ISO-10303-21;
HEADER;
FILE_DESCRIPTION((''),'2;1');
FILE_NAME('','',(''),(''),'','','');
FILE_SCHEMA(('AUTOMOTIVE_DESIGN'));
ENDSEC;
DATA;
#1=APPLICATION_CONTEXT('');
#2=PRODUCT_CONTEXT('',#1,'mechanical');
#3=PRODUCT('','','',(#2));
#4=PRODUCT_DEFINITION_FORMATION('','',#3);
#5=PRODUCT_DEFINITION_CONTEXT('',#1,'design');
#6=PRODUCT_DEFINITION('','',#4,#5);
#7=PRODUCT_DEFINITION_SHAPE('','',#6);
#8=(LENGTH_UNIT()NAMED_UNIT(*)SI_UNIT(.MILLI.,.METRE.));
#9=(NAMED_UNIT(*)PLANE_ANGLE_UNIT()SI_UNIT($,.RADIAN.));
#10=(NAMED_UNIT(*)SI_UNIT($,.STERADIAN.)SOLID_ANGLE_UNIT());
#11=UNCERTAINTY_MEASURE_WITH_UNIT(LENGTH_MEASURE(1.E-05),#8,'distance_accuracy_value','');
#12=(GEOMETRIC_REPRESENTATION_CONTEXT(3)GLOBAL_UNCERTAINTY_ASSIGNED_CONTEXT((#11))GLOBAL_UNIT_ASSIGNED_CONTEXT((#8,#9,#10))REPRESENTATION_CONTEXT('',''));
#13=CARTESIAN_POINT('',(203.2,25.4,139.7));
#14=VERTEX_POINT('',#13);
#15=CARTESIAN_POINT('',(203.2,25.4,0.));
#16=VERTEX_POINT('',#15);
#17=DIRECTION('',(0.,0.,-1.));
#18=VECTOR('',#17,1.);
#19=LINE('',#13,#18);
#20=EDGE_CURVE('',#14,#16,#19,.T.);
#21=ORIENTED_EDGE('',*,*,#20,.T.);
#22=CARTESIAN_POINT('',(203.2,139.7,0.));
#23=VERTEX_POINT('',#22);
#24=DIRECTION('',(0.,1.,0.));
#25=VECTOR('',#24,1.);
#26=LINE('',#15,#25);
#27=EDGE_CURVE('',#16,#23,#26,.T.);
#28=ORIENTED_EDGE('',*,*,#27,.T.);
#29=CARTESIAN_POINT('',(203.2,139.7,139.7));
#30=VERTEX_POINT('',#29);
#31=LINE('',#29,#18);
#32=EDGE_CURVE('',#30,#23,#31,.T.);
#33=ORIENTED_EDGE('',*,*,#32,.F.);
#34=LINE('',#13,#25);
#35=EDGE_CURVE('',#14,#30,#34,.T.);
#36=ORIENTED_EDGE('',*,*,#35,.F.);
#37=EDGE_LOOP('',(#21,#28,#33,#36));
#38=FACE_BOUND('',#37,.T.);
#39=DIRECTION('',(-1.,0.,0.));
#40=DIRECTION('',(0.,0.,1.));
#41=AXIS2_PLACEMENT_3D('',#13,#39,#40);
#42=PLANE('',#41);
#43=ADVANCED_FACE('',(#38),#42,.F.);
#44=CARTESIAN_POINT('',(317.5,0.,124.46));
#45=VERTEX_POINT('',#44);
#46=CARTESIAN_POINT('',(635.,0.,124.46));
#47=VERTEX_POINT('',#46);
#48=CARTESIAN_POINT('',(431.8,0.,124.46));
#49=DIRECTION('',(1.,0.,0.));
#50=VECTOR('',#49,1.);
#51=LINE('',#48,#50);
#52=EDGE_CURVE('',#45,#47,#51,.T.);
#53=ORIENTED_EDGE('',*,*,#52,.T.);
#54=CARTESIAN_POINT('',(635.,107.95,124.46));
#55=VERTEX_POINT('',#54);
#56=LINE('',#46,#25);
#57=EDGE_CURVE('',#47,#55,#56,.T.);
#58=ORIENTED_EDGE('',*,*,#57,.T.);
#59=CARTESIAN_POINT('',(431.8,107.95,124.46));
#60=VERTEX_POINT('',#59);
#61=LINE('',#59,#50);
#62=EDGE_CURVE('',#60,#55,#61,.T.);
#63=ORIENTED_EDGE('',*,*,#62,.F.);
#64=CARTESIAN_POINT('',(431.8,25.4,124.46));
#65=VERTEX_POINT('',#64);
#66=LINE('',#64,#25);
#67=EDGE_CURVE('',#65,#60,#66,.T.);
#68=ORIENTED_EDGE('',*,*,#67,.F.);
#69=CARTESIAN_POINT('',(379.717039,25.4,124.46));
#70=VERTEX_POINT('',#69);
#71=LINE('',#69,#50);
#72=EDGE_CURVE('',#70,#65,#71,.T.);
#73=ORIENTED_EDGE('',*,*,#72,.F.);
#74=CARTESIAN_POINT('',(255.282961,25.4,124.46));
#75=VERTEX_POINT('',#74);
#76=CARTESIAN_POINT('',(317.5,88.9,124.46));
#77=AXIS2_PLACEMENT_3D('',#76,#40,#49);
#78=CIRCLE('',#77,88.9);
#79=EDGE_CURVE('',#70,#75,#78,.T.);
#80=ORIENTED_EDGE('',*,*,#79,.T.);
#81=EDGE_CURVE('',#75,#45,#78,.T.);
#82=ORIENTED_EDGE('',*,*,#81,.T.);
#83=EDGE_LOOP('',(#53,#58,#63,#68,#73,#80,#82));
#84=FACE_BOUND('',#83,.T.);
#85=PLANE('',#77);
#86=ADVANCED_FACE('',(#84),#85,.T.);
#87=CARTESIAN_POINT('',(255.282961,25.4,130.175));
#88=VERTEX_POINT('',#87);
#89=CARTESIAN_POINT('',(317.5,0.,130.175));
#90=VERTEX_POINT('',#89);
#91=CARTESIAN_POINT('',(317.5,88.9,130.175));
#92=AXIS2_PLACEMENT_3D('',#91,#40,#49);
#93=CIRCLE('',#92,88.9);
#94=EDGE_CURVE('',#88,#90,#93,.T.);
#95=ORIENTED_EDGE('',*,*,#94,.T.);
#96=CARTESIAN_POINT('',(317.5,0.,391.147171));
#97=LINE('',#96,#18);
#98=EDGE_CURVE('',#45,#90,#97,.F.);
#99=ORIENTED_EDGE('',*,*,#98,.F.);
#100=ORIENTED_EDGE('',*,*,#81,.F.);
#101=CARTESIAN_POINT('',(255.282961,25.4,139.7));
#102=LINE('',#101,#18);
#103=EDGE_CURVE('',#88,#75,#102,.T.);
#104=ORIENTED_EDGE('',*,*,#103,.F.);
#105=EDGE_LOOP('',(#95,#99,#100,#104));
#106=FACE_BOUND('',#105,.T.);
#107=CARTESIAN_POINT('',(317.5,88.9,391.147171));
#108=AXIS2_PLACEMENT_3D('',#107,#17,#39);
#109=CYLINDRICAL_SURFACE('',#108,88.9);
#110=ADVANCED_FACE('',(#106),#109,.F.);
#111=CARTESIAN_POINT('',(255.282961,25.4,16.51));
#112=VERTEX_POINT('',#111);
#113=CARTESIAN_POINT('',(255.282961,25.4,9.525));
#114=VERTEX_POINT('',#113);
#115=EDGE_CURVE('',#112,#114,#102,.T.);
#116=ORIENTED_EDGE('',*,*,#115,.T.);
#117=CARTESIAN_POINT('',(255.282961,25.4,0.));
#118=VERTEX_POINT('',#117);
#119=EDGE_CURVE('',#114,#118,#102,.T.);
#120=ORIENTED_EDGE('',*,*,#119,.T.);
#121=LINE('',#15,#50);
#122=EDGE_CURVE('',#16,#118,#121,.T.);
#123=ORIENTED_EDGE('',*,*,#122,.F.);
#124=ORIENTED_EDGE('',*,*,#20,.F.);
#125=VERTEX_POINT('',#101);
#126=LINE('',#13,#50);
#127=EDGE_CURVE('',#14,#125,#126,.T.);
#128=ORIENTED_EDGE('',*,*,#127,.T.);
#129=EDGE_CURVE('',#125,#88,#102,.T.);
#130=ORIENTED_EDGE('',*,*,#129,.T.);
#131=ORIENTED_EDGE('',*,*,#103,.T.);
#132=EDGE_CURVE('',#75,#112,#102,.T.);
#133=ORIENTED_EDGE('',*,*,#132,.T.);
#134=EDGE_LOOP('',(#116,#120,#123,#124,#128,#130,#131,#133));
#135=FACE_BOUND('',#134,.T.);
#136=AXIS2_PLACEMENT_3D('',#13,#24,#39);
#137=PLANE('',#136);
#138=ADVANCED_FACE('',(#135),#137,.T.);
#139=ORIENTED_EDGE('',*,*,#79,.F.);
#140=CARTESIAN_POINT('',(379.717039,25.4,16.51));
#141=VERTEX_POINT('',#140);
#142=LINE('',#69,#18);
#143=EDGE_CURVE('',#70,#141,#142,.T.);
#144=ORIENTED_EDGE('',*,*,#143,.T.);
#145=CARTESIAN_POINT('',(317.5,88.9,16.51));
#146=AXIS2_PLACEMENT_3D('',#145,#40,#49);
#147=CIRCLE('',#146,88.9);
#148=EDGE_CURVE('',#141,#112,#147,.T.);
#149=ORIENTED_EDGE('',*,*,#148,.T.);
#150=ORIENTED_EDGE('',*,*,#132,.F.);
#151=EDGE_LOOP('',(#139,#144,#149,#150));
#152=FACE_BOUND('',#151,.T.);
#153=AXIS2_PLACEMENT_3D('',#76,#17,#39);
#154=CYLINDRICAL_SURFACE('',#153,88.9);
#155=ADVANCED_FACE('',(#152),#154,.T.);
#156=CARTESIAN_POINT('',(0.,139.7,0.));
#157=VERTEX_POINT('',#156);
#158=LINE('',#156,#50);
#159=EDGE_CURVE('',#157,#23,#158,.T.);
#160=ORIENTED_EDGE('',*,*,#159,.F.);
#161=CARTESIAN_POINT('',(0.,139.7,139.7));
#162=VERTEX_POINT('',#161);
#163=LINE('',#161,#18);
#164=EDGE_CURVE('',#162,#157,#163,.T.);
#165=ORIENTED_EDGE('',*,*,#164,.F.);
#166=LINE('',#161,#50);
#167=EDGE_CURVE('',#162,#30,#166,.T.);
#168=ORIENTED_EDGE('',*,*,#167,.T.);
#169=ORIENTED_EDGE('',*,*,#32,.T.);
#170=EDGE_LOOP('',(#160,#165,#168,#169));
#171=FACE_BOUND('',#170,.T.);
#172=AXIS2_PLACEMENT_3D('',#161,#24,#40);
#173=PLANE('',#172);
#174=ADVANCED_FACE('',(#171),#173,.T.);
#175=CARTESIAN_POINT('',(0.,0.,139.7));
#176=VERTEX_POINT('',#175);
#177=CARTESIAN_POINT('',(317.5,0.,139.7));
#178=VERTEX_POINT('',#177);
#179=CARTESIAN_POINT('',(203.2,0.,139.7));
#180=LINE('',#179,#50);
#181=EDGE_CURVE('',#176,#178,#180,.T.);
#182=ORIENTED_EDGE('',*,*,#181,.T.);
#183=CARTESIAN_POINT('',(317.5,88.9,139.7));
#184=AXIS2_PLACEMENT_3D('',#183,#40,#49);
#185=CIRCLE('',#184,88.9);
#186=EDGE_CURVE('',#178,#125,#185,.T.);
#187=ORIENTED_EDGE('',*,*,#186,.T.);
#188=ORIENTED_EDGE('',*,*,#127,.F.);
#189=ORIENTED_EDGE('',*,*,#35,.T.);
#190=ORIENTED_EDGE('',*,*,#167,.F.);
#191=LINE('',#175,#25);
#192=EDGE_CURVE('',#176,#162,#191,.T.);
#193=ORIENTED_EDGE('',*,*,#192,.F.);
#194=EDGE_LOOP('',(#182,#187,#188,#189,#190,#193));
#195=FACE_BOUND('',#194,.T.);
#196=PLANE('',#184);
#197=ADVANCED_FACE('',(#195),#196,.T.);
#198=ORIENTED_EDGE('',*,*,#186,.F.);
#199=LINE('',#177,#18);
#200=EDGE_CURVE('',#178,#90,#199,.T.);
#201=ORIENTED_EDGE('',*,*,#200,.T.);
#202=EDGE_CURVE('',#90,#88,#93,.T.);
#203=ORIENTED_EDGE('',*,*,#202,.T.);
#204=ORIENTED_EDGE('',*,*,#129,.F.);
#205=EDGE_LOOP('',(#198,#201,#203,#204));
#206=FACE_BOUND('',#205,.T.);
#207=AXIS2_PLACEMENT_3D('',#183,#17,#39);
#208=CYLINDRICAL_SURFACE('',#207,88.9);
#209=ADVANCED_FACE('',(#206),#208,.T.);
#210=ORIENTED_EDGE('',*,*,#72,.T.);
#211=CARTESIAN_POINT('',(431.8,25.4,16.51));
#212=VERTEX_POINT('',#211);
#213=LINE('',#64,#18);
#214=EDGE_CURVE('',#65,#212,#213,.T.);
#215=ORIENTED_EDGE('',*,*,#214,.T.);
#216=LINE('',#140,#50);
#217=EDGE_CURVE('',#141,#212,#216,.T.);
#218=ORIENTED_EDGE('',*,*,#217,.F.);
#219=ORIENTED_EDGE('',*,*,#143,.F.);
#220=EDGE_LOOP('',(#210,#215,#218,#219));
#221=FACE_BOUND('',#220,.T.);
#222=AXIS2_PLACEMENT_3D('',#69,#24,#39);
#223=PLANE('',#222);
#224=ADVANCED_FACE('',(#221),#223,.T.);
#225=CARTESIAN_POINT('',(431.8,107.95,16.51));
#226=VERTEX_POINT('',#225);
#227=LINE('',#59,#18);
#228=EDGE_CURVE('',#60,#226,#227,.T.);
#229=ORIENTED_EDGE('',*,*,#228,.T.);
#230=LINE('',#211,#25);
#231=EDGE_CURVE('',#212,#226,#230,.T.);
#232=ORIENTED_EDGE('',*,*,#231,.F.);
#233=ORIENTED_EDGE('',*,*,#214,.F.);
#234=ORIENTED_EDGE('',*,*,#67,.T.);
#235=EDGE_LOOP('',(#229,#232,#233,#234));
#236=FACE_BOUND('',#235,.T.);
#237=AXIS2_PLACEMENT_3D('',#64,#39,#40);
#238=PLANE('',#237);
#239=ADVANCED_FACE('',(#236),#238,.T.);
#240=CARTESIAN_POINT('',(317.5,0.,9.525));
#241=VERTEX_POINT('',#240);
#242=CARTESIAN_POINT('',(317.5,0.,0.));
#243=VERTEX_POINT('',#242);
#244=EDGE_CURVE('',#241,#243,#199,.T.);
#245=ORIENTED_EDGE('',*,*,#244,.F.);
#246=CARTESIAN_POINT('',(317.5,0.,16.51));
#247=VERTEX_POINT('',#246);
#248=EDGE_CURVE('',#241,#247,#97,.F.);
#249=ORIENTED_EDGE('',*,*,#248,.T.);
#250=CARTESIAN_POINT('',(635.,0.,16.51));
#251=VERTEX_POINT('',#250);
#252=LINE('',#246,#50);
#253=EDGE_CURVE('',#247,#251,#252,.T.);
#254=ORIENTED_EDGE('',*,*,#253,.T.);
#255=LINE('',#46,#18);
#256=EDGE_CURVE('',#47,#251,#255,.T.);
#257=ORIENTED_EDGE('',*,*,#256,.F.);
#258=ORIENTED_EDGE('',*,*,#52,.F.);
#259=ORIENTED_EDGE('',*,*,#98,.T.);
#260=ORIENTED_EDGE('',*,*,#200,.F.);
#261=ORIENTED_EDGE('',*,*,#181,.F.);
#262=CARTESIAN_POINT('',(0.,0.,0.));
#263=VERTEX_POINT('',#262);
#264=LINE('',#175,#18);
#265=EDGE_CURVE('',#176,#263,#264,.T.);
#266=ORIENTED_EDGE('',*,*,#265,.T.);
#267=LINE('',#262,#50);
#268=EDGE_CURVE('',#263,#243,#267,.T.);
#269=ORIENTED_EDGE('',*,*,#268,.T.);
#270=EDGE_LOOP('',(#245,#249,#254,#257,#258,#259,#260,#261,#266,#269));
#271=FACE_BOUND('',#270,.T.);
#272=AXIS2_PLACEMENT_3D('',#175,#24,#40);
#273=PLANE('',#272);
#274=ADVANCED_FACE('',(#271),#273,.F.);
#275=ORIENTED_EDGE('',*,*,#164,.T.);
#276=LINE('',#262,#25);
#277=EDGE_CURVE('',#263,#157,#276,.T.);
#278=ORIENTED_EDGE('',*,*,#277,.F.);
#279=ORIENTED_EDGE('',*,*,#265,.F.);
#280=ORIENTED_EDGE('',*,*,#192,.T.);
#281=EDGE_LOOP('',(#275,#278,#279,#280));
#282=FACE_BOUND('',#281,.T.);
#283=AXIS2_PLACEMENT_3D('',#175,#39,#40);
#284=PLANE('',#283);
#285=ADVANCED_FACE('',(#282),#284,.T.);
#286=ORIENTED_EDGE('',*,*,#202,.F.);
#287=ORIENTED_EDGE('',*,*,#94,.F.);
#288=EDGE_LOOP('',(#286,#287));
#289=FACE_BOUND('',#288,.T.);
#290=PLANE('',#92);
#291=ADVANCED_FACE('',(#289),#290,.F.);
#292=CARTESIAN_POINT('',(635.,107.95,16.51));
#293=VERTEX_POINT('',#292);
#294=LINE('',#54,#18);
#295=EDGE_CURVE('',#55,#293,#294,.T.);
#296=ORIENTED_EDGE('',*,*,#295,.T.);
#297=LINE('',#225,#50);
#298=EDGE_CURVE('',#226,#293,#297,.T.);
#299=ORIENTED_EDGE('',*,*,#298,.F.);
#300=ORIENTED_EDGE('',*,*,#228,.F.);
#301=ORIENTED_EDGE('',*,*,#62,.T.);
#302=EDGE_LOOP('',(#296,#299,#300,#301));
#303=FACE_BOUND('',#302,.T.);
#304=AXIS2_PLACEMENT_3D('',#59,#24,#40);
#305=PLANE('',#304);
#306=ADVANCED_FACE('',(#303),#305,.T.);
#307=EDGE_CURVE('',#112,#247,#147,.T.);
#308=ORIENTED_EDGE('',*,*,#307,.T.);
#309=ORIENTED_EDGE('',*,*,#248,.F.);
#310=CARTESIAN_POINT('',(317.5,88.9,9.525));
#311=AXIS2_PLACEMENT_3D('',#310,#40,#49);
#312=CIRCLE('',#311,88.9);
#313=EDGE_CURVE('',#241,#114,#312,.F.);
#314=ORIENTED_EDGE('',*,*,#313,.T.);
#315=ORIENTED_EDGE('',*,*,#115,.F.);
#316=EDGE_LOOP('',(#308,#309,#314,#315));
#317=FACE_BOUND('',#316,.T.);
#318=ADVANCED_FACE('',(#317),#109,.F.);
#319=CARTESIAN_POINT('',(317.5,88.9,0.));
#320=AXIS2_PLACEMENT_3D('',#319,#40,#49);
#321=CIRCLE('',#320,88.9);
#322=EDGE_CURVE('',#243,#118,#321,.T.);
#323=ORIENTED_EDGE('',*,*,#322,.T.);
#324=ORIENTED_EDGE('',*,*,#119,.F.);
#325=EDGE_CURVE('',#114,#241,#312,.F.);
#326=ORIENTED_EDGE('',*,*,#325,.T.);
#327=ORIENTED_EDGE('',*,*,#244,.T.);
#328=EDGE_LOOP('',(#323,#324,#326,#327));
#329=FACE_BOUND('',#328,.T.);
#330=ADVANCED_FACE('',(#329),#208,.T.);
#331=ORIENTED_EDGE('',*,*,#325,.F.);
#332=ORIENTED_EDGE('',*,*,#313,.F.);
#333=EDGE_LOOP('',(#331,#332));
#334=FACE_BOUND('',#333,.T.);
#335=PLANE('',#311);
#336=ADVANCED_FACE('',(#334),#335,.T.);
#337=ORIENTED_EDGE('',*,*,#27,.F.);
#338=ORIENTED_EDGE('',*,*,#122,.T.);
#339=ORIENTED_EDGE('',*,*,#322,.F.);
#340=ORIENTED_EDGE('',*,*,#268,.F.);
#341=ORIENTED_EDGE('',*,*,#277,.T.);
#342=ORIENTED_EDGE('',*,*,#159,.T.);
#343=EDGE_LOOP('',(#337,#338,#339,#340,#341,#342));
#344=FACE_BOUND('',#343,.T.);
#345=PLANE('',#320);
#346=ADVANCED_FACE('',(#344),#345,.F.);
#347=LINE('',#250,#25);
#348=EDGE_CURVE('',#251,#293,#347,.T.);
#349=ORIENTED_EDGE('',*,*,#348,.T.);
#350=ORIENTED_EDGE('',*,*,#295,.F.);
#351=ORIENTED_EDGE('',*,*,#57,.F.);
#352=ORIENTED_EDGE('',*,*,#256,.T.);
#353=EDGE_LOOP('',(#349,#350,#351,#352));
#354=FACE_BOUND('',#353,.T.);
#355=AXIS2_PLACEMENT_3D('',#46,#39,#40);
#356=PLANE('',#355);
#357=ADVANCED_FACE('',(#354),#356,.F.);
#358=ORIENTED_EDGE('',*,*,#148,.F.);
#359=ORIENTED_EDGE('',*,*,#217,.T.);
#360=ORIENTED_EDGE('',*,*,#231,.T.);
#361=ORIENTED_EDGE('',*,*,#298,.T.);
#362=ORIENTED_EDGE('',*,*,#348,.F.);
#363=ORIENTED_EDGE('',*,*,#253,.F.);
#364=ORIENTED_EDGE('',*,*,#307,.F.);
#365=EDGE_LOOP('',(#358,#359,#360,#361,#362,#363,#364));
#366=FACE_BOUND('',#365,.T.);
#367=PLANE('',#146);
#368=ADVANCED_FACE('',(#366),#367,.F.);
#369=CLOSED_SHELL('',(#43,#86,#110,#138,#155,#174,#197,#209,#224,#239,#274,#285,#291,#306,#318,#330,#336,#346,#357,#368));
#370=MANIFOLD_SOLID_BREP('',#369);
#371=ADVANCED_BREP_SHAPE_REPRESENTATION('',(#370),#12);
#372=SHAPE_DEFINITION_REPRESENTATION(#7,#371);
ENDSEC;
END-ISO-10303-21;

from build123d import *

# Parameters (mm, degrees)
BOSS_EXTRUDE1_DEPTH     = 139.7
SKETCH3_R               = 88.9
CUT_EXTRUDE1_DEPTH      = 60.325
CUT_EXTRUDE1_DEPTH_BACK = 60.325
BOSS_EXTRUDE2_START     = 16.51
BOSS_EXTRUDE2_DEPTH     = 107.95


with BuildPart() as part:
    # Sketch1 → Boss-Extrude1 (new body)
    with BuildSketch(Plane.XY):
        with BuildLine():
            Line((203.2, 0), (317.5, 0))
            ThreePointArc((317.5, 0), (351.101041651, 171.20540687), (255.282960533, 25.4))
            Line((255.282960533, 25.4), (203.2, 25.4))
            Line((203.2, 25.4), (203.2, 139.7))
            Line((203.2, 139.7), (0, 139.7))
            Line((0, 139.7), (0, 0))
            Line((0, 0), (203.2, 0))
        make_face()
    extrude(amount=BOSS_EXTRUDE1_DEPTH)

    # Sketch3 → Cut-Extrude1 (cut, two sides)
    with BuildSketch(Plane.XY.offset(69.85)) as cut_extrude1_sk:
        with Locations((317.5, 88.9)):
            Circle(SKETCH3_R)
    extrude(amount=CUT_EXTRUDE1_DEPTH, mode=Mode.SUBTRACT)
    extrude(cut_extrude1_sk.sketch, amount=-CUT_EXTRUDE1_DEPTH_BACK, mode=Mode.SUBTRACT)

    # Sketch2 → Boss-Extrude2 (add)
    with BuildSketch(Plane.XY.offset(BOSS_EXTRUDE2_START)):
        with BuildLine():
            Line((317.5, 0), (431.8, 0))
            Line((431.8, 0), (635, 0))
            Line((635, 0), (635, 107.95))
            Line((635, 107.95), (431.8, 107.95))
            Line((431.8, 107.95), (431.8, 25.4))
            Line((431.8, 25.4), (379.717039467, 25.4))
            ThreePointArc((379.717039467, 25.4), (283.898958349, 171.20540687), (317.5, 0))
        make_face()
    extrude(amount=BOSS_EXTRUDE2_DEPTH)


solid = part.part
